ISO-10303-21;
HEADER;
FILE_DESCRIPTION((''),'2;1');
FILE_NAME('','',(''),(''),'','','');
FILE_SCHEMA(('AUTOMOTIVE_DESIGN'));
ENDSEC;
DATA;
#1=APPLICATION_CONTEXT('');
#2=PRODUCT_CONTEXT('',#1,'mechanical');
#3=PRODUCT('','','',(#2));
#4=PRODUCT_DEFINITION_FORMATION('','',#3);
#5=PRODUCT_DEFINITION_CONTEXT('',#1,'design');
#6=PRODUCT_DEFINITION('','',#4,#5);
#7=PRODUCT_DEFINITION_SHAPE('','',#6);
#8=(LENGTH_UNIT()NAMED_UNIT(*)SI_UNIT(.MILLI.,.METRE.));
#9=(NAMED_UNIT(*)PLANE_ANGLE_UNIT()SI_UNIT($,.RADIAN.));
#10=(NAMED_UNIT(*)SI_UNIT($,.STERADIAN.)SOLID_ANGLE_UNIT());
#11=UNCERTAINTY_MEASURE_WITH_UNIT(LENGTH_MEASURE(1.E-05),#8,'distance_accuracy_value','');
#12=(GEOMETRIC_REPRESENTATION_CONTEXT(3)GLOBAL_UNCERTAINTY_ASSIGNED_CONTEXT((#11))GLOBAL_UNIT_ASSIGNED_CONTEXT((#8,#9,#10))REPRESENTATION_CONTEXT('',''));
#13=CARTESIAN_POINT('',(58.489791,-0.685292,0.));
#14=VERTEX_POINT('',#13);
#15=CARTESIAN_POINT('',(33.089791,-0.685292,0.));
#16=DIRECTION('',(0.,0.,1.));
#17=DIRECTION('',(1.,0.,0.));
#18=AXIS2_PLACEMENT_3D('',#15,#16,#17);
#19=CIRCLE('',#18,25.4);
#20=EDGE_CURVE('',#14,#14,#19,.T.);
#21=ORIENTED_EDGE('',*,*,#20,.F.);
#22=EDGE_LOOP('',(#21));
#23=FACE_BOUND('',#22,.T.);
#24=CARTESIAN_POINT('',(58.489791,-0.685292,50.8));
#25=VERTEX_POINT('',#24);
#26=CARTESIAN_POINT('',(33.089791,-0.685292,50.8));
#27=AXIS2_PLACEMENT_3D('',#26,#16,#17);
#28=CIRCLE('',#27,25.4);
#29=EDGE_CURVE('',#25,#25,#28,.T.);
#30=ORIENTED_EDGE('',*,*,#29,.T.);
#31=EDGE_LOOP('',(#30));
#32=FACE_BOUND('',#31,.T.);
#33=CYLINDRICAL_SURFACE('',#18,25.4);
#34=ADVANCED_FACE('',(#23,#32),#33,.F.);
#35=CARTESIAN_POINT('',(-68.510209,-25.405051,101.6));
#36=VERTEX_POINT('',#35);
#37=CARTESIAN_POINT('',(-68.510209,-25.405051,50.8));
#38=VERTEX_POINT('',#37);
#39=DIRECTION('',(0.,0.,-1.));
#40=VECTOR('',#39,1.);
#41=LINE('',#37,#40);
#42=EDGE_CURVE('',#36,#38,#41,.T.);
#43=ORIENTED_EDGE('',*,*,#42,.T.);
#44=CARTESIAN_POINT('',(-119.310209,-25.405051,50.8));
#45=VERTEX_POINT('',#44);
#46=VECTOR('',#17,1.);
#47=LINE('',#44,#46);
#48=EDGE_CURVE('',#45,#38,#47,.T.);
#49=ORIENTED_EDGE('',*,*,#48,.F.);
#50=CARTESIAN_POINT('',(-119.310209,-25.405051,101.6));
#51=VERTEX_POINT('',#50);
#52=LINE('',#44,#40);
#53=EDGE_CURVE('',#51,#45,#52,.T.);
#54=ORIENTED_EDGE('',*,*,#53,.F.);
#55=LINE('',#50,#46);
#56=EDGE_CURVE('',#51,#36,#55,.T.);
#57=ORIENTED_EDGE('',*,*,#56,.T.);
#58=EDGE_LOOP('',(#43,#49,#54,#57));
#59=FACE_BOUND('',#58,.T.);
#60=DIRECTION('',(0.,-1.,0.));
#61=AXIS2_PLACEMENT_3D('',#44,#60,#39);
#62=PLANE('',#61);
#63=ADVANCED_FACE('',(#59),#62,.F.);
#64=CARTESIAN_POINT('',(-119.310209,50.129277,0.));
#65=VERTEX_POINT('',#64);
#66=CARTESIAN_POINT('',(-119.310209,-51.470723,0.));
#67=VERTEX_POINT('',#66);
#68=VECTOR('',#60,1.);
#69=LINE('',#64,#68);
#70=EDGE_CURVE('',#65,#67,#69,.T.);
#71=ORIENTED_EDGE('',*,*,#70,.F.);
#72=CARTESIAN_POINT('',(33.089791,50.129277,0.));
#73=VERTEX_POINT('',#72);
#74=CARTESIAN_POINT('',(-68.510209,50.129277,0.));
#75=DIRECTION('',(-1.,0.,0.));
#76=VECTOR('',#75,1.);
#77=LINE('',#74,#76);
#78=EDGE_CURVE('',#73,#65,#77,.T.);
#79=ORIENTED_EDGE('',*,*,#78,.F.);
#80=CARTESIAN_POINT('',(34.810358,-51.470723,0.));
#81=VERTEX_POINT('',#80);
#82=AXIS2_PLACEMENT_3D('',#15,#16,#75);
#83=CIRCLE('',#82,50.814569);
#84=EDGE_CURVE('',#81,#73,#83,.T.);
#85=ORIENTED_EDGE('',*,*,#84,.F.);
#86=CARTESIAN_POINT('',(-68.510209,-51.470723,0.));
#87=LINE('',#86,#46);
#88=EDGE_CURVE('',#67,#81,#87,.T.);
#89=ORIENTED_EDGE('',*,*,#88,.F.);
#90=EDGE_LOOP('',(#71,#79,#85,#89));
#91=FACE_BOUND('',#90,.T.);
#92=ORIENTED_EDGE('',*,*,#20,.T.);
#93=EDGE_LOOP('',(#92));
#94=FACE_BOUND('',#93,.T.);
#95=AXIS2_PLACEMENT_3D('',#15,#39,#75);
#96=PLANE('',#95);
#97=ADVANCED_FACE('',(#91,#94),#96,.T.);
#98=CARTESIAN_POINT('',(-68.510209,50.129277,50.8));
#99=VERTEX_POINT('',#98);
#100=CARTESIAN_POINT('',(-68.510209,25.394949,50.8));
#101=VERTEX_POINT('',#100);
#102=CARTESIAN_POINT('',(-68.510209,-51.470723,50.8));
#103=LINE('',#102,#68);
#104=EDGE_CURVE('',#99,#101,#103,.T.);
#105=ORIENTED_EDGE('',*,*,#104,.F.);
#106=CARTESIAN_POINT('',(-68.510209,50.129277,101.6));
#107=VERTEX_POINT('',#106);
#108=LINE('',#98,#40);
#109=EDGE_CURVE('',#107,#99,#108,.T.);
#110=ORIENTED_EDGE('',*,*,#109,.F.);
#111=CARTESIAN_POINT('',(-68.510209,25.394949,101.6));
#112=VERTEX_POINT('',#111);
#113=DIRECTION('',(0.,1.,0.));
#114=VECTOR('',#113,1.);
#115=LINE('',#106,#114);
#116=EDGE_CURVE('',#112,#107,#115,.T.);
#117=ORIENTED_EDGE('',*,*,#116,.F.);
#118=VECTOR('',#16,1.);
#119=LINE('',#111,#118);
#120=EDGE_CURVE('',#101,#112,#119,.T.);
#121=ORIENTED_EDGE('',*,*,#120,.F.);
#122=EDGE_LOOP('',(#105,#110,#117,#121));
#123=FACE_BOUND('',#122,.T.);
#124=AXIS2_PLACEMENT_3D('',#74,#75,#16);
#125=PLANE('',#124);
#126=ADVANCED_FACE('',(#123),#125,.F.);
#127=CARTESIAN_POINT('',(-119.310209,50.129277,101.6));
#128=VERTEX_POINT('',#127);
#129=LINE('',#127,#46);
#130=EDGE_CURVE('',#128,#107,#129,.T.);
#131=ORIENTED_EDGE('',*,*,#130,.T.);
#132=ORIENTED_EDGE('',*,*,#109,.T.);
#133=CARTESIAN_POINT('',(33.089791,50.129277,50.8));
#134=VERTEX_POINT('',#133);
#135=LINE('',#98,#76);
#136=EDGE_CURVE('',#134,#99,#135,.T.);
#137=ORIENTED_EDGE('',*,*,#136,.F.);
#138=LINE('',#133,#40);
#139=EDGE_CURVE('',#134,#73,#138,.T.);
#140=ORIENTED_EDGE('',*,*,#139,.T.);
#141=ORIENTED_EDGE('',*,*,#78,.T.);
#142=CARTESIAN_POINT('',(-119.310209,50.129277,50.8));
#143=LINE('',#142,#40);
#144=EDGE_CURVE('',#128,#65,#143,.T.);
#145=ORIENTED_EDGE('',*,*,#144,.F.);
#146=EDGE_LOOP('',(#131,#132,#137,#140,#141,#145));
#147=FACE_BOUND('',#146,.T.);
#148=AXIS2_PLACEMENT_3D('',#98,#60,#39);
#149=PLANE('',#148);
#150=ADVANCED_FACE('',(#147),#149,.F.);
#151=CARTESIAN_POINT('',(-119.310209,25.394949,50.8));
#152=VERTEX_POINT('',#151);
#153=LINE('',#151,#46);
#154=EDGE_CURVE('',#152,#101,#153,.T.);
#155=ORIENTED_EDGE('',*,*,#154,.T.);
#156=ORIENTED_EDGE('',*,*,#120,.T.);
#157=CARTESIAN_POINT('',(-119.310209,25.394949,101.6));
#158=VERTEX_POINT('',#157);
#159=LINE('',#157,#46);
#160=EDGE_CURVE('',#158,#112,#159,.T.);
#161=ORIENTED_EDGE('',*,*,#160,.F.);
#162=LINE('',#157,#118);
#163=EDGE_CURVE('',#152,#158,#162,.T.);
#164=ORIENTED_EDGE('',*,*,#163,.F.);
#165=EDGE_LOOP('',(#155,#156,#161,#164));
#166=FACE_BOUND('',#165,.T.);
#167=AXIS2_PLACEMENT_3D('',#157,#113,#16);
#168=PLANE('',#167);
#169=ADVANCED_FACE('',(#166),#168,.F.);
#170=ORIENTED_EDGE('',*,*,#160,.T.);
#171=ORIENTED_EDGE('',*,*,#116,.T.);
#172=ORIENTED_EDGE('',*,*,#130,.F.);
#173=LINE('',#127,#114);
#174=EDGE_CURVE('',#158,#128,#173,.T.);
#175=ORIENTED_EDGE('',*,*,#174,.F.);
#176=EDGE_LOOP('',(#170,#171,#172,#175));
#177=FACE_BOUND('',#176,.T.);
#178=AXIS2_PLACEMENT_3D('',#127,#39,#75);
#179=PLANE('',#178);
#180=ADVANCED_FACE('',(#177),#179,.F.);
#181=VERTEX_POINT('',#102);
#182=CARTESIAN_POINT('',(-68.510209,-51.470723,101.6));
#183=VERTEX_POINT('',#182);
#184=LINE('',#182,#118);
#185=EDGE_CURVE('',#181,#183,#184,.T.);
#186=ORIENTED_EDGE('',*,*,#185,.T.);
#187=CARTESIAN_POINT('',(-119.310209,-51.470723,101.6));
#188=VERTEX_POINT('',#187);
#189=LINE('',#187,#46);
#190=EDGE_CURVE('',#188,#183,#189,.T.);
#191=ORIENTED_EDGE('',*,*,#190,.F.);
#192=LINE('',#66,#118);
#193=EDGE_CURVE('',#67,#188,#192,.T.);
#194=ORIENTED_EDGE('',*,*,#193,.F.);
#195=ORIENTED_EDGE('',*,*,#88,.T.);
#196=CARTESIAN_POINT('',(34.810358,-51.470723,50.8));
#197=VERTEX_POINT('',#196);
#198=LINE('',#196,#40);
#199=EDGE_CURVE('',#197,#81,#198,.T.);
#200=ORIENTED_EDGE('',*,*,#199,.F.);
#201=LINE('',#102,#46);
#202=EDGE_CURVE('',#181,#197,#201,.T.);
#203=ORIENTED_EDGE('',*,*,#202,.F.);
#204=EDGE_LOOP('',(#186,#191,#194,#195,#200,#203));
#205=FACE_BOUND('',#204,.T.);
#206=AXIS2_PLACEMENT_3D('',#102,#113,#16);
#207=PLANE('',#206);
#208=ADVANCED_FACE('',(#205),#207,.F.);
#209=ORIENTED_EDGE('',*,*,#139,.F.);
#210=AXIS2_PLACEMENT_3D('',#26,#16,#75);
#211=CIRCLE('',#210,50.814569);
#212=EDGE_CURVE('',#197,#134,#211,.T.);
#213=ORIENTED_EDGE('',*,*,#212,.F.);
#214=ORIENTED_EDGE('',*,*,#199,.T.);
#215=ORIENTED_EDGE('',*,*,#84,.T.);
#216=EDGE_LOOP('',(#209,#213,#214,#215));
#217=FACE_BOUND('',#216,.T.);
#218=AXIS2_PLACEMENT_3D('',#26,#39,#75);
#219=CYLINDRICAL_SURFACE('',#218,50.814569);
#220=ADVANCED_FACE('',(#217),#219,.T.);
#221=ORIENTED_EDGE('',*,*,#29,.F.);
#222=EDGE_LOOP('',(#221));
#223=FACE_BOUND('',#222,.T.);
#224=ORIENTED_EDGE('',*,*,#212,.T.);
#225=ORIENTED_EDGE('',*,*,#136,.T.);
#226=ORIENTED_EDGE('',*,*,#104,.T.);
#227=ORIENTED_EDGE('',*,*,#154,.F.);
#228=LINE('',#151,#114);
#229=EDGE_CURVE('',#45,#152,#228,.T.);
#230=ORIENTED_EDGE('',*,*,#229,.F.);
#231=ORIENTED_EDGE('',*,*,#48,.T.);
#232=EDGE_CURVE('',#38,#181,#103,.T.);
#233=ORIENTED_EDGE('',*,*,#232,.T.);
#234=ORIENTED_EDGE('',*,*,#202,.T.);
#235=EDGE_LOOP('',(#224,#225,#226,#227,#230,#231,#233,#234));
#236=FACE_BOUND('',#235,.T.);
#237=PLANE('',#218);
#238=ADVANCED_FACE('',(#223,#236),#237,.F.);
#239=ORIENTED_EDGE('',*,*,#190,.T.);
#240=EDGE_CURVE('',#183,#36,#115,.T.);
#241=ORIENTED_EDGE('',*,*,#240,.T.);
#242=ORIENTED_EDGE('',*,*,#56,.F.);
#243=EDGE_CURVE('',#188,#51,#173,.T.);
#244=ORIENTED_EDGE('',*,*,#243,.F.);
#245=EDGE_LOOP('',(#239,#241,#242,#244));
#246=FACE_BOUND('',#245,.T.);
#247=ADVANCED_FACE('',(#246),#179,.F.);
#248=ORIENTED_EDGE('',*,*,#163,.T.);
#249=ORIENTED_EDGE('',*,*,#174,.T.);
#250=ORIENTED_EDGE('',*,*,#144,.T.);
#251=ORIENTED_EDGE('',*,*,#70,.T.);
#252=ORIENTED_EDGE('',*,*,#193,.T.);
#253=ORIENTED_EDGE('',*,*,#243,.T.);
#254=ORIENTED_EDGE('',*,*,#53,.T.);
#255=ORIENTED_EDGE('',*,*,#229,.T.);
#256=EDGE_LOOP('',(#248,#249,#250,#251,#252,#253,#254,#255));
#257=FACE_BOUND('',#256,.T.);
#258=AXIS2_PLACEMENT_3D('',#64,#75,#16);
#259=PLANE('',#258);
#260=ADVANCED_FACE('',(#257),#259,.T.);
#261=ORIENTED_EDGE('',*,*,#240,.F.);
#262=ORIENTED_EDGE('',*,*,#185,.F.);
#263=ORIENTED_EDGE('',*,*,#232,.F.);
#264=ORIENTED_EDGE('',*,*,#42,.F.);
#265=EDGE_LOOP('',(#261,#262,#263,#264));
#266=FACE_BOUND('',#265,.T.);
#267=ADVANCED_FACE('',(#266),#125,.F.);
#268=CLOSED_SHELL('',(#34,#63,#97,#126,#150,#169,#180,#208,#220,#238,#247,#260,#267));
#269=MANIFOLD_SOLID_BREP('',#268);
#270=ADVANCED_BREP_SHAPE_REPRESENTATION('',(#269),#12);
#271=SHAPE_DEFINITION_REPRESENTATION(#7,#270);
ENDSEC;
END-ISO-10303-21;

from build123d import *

# Parameters (mm, degrees)
EXTRUDE1_DEPTH     = 50.8
SKETCH3_W          = 50.8
SKETCH3_H          = 101.6
EXTRUDE2_DEPTH     = 50.8
SKETCH5_W          = 50.8
SKETCH5_H          = 50.8
CUT_EXTRUDE1_DEPTH = 50.8
SKETCH6_R          = 25.4
CUT_EXTRUDE2_DEPTH = 51.8


with BuildPart() as part:
    # Sketch2 → Extrude1 (new body)
    with BuildSketch(Plane.XY):
        with BuildLine():
            Line((-68.510209021, 50.129277125), (33.089790979, 50.129277125))
            ThreePointArc((33.089790979, 50.129277125), (83.897074784, 0.175115288), (34.810357915, -51.470722875))
            Line((34.810357915, -51.470722875), (-68.510209021, -51.470722875))
            Line((-68.510209021, -51.470722875), (-68.510209021, 50.129277125))
        make_face()
    extrude(amount=EXTRUDE1_DEPTH)

    # Sketch3 → Extrude2 (add)
    with BuildSketch(Plane.ZY.offset(68.510209021)):
        with Locations((76.2, -0.670722875)):
            Rectangle(SKETCH3_W, SKETCH3_H)
        with Locations((25.4, -0.670722875)):
            Rectangle(SKETCH3_W, SKETCH3_H)
    extrude(amount=EXTRUDE2_DEPTH)

    # Sketch5 → Cut-Extrude1 (cut)
    with BuildSketch(Plane(origin=(-68.510209021, 0, 0), x_dir=(0, 0, -1), z_dir=(1, 0, 0))):
        with Locations((-76.2, -0.005051238)):
            Rectangle(SKETCH5_W, SKETCH5_H)
    extrude(amount=-CUT_EXTRUDE1_DEPTH, mode=Mode.SUBTRACT)

    # Sketch6 → Cut-Extrude2 (cut, through all)
    with BuildSketch(Plane.XY.offset(50.8)):
        with Locations((33.089790979, -0.685291529)):
            Circle(SKETCH6_R)
    extrude(amount=-CUT_EXTRUDE2_DEPTH, mode=Mode.SUBTRACT)


solid = part.part
